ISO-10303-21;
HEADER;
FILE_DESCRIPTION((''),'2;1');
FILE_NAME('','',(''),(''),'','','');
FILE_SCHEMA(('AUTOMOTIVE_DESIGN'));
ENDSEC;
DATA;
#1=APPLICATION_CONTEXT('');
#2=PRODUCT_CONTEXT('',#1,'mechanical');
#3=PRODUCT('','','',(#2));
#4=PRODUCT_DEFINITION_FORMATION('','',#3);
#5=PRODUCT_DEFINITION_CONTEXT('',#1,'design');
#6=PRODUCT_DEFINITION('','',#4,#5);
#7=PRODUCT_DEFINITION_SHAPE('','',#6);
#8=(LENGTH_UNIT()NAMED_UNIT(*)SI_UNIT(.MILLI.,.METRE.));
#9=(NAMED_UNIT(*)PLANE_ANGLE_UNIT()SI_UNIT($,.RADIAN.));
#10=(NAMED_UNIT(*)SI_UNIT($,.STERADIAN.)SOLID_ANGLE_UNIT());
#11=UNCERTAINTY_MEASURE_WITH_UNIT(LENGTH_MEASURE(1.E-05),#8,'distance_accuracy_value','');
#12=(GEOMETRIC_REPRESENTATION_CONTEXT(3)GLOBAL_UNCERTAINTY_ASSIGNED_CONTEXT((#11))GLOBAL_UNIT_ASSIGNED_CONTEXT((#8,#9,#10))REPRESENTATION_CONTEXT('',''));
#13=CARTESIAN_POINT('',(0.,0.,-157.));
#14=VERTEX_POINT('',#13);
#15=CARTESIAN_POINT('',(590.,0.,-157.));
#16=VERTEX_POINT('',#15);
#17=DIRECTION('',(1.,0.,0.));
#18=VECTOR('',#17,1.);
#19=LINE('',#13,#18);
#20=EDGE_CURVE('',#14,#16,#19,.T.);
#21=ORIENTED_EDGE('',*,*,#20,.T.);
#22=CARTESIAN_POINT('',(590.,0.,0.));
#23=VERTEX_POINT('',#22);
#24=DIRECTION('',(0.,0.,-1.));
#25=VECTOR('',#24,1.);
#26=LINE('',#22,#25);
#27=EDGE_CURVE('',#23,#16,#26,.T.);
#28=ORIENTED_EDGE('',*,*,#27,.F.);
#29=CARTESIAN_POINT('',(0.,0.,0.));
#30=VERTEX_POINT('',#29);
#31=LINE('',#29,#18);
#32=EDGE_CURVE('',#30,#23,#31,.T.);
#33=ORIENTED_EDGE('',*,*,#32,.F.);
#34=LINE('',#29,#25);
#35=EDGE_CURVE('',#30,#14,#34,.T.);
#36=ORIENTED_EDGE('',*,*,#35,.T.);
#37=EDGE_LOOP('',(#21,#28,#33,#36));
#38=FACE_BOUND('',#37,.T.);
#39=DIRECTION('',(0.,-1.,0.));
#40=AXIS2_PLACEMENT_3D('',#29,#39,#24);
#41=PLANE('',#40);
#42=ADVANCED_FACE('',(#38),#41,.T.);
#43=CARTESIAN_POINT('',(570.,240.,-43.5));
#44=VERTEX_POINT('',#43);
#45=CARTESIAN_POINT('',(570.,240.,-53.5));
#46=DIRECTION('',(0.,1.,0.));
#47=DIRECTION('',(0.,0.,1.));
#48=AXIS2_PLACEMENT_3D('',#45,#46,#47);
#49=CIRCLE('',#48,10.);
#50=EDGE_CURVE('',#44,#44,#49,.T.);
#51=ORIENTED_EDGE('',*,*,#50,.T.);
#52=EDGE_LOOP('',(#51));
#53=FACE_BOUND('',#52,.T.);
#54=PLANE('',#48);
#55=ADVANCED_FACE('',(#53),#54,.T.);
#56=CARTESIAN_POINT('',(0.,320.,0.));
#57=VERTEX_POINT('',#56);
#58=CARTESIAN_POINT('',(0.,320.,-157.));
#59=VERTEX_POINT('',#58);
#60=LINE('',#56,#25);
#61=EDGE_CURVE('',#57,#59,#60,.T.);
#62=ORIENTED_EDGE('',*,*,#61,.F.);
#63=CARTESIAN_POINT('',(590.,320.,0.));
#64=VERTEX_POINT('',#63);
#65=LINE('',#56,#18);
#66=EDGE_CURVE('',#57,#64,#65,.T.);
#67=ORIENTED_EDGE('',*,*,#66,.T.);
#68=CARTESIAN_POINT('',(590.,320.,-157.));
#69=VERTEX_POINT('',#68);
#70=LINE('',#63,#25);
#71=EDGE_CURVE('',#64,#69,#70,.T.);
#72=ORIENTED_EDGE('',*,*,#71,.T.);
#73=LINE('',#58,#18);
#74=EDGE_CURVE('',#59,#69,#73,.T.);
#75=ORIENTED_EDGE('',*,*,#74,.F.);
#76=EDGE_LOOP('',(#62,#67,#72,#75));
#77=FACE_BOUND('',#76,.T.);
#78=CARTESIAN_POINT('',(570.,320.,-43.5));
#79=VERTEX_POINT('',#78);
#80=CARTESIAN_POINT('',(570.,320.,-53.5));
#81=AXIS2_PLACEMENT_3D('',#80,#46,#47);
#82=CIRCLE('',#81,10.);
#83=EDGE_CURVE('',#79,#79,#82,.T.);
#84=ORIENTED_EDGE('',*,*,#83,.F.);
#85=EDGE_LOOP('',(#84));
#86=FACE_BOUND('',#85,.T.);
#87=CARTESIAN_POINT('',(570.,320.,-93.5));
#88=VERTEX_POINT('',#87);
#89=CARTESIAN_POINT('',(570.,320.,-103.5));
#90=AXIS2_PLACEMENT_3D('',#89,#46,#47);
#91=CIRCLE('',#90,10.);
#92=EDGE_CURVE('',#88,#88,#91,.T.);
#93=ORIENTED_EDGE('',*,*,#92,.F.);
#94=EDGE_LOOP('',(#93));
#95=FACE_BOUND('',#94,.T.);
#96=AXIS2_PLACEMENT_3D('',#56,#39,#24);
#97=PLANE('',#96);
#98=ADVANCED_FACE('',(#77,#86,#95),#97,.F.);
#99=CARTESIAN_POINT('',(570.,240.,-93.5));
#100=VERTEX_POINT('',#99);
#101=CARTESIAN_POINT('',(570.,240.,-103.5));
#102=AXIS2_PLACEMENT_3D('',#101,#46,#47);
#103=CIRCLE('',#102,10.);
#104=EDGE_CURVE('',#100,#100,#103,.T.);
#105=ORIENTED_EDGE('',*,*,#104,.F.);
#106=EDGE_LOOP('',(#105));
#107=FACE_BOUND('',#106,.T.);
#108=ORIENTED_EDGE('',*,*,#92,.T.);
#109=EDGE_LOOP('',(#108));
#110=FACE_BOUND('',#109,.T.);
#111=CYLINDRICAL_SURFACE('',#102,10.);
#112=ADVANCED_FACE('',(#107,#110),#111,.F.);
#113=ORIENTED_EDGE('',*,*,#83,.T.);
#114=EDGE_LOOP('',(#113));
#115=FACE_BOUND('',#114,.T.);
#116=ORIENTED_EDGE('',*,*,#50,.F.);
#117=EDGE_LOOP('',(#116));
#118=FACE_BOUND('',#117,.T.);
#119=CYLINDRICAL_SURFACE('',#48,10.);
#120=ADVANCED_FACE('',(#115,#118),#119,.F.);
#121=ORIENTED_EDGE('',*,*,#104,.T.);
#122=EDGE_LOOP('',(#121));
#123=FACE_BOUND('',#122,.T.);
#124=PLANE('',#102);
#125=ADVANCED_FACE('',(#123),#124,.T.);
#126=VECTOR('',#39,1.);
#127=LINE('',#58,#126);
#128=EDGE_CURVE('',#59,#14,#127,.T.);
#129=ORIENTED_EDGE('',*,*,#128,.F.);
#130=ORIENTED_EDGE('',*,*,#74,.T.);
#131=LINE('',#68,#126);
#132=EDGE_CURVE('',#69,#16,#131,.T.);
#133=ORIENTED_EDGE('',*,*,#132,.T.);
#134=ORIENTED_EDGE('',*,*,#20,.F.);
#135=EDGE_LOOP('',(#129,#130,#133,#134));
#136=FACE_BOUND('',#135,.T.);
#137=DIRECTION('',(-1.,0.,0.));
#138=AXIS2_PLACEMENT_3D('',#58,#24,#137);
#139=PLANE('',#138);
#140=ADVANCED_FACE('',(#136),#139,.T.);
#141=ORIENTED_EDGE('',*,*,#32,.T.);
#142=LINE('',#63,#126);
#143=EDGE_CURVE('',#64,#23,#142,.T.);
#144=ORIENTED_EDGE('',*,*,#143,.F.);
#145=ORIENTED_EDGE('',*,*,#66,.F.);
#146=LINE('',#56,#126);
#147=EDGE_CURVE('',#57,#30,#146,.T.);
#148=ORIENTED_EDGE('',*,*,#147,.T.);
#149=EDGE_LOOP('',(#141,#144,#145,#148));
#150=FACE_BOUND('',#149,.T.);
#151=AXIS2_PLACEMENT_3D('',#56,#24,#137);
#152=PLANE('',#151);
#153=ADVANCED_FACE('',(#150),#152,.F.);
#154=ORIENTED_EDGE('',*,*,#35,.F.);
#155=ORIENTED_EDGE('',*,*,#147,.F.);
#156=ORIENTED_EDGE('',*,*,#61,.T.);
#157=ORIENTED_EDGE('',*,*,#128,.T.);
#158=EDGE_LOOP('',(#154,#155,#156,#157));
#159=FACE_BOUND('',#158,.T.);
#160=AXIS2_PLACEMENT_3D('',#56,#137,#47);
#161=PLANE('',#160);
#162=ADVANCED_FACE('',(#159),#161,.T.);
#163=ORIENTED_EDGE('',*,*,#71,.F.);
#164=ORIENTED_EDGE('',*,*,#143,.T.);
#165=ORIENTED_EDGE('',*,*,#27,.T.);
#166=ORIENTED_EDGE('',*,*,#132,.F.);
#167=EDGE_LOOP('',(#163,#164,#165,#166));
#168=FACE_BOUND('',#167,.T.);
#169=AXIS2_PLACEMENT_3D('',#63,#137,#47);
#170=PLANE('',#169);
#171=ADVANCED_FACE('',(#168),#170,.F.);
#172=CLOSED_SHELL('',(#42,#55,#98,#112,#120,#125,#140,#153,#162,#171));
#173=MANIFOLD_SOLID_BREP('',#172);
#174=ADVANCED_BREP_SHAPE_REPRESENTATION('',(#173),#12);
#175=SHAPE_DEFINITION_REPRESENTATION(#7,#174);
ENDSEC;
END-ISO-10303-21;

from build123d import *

# Parameters (mm, degrees)
SKETCH1_W           = 590
SKETCH1_H           = 157
BOSS_EXTRUDE1_DEPTH = 320
SKETCH2_R           = 10
CUT_EXTRUDE1_DEPTH  = 80


with BuildPart() as part:
    # Sketch1 → Boss-Extrude1 (new body)
    with BuildSketch(Plane(origin=(0, 0, 0), x_dir=(1, 0, 0), z_dir=(0, 1, 0))):
        with Locations((295, 78.5)):
            Rectangle(SKETCH1_W, SKETCH1_H)
    extrude(amount=BOSS_EXTRUDE1_DEPTH)

    # Sketch2 → Cut-Extrude1 (cut)
    with BuildSketch(Plane(origin=(0, 320, 0), x_dir=(1, 0, 0), z_dir=(0, 1, 0))):
        with Locations(Location((570, 103.5, 0), (0, 0, 270))):
            Circle(SKETCH2_R)
        with Locations(Location((570, 53.5, 0), (0, 0, 270))):
            Circle(SKETCH2_R)
    extrude(amount=-CUT_EXTRUDE1_DEPTH, mode=Mode.SUBTRACT)


solid = part.part
